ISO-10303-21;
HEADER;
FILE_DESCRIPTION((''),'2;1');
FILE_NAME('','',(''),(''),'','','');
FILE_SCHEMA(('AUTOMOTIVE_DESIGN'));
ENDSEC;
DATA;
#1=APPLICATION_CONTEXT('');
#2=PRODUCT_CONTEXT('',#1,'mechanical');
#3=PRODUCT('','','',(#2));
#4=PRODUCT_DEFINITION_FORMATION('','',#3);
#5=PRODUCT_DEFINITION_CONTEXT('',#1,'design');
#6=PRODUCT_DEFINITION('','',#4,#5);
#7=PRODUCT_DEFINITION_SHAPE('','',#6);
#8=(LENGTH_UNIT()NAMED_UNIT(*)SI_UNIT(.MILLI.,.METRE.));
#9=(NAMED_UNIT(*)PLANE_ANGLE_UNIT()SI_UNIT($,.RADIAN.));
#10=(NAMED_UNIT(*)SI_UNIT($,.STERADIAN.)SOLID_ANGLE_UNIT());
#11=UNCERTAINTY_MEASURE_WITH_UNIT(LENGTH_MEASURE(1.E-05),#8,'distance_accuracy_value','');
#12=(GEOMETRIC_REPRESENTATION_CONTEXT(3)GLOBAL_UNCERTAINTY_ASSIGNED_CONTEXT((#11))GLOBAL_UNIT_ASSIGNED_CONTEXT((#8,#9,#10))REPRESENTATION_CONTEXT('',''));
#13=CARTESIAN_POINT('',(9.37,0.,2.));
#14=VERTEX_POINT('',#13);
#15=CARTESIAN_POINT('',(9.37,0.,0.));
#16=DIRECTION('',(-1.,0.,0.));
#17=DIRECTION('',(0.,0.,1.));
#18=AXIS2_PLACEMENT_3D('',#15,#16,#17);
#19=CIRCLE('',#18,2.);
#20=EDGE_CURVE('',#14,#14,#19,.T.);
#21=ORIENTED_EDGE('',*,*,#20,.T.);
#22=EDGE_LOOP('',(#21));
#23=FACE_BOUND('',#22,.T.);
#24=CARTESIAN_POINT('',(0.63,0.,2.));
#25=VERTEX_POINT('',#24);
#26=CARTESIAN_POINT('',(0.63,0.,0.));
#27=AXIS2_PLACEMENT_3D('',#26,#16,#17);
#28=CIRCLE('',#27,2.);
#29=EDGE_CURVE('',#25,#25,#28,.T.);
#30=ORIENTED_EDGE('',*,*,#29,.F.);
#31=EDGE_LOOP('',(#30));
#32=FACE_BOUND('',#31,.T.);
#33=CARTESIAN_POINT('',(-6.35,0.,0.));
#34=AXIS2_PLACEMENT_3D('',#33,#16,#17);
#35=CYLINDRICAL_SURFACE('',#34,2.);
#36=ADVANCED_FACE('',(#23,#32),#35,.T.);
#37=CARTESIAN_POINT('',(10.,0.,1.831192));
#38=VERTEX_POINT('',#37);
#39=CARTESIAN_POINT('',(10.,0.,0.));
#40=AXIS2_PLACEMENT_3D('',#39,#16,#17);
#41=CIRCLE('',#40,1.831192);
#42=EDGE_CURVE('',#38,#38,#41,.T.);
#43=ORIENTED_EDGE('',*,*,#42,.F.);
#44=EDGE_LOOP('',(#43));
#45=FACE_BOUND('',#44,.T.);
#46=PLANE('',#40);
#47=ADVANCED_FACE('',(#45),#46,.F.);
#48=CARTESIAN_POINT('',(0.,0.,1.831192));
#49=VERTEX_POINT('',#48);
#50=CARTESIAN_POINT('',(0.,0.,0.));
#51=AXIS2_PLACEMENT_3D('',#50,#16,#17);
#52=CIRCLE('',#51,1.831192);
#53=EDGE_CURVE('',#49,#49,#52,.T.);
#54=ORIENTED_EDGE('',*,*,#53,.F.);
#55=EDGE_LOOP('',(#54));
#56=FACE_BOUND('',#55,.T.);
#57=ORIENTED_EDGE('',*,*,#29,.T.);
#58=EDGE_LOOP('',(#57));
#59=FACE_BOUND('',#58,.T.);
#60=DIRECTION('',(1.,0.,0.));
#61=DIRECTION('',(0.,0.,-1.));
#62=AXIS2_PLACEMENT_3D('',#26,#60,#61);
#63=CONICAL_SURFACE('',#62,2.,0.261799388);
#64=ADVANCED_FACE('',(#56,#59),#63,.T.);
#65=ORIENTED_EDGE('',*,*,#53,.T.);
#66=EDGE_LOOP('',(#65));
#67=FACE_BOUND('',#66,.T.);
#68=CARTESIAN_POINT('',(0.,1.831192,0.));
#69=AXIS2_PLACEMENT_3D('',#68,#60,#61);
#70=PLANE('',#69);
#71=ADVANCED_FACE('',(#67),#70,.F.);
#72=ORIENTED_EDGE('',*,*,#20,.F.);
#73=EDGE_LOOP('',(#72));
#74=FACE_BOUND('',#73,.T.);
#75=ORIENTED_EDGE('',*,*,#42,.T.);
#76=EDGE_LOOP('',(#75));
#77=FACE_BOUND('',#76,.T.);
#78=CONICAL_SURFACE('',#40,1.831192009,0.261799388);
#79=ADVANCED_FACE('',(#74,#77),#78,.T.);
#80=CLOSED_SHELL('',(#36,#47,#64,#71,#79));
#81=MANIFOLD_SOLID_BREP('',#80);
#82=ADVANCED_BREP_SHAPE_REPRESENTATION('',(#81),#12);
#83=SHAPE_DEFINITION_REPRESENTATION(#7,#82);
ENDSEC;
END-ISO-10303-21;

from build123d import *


with BuildPart() as part:
    # Sketch1 → Base-Revolve (revolve)
    with BuildSketch(Plane.XY):
        Polygon((0, 0), (10, 0), (10, 1.831192009), (9.37, 2), (0.63, 2), (0, 1.831192009), align=None)
    revolve(axis=Axis((-6.35, 0, 0), (1, 0, 0)))


solid = part.part
